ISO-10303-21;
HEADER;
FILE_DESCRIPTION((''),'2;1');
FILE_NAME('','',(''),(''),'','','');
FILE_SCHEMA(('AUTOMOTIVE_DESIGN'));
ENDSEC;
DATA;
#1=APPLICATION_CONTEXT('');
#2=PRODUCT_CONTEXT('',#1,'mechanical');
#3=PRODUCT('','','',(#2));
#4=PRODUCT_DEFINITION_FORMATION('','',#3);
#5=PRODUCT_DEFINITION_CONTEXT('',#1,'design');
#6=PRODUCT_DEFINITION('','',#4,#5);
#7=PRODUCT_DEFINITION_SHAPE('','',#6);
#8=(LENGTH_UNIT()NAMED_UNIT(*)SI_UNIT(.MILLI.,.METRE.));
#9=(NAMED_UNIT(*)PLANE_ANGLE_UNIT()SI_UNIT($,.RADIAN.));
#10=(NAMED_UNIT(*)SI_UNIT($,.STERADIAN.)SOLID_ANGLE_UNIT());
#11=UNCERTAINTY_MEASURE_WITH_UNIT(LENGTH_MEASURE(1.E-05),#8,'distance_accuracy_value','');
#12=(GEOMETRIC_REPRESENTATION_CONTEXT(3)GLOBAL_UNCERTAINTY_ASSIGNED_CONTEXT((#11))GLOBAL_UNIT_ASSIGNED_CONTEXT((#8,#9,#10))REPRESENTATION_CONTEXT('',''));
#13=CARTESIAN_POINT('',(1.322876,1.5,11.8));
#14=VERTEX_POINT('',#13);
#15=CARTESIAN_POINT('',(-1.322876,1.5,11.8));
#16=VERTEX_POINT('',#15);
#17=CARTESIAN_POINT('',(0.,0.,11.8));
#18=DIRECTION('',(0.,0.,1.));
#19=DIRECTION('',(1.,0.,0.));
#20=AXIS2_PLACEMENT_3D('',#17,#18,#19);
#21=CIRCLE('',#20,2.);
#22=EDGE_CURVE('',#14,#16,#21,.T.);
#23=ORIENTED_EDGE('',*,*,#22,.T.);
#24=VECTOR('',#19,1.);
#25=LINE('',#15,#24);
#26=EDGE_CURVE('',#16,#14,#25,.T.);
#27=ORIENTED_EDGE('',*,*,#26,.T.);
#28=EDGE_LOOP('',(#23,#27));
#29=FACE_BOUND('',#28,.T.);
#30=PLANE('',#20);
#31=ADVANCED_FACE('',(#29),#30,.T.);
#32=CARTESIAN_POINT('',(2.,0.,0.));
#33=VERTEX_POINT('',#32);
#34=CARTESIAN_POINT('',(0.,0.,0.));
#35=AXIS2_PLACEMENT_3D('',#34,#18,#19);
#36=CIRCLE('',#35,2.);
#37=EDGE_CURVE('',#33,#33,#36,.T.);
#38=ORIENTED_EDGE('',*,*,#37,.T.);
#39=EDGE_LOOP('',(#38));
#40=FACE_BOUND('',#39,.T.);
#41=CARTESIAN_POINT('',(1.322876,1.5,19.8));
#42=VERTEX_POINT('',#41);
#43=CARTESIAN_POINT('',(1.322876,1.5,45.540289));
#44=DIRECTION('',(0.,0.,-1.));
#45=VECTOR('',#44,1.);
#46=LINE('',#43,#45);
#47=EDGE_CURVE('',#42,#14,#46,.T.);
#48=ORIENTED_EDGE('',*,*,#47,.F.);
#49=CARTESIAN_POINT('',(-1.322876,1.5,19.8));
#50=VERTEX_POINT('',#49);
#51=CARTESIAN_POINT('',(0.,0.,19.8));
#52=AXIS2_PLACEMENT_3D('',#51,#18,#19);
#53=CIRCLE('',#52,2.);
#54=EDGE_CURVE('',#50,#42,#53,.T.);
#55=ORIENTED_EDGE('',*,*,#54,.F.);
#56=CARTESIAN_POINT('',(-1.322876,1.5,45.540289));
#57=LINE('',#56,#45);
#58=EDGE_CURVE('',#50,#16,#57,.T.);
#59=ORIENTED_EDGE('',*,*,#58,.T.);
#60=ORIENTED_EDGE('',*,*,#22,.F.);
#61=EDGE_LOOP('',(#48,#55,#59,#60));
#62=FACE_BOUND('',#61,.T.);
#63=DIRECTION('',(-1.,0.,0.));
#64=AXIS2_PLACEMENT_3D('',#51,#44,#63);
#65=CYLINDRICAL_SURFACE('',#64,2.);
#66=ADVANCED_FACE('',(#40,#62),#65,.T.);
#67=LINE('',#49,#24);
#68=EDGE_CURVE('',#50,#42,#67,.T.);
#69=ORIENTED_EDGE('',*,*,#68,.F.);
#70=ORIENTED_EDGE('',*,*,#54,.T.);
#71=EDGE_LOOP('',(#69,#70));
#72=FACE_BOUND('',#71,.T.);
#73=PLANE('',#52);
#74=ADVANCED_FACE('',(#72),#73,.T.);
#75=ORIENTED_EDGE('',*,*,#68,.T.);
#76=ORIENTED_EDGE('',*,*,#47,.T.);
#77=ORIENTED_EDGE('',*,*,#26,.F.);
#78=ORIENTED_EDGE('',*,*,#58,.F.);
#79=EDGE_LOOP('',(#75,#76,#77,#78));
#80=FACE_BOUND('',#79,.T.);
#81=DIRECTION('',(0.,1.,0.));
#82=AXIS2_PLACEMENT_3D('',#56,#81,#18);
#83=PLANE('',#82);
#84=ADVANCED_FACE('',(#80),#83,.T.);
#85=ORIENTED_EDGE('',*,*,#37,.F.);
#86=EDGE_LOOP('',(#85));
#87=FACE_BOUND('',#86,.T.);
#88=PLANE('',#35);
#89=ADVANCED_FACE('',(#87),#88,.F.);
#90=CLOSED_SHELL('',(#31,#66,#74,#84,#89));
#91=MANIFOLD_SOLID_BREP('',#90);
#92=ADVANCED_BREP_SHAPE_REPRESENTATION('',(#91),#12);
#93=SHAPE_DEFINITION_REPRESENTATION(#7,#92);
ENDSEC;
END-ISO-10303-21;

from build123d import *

# Parameters (mm, degrees)
SKETCH1_R               = 2
BOSS_EXTRUDE1_DEPTH     = 19.8
CUT_EXTRUDE1_DEPTH      = 1
CUT_EXTRUDE1_DEPTH_BACK = 8


with BuildPart() as part:
    # Sketch1 → Boss-Extrude1 (new body)
    with BuildSketch(Plane.XY):
        Circle(SKETCH1_R)
    extrude(amount=BOSS_EXTRUDE1_DEPTH)

    # Sketch2 → Cut-Extrude1 (cut, two sides)
    with BuildSketch(Plane.XY.offset(19.8)) as cut_extrude1_sk:
        Polygon((-20.975129822, 1.5), (-1.322875656, 1.5), (1.322875656, 1.5), (20.975129822, 1.5), (20.975129822, 40.804508332), (-20.975129822, 40.804508332), align=None)
    extrude(amount=CUT_EXTRUDE1_DEPTH, mode=Mode.SUBTRACT)
    extrude(cut_extrude1_sk.sketch, amount=-CUT_EXTRUDE1_DEPTH_BACK, mode=Mode.SUBTRACT)


solid = part.part
